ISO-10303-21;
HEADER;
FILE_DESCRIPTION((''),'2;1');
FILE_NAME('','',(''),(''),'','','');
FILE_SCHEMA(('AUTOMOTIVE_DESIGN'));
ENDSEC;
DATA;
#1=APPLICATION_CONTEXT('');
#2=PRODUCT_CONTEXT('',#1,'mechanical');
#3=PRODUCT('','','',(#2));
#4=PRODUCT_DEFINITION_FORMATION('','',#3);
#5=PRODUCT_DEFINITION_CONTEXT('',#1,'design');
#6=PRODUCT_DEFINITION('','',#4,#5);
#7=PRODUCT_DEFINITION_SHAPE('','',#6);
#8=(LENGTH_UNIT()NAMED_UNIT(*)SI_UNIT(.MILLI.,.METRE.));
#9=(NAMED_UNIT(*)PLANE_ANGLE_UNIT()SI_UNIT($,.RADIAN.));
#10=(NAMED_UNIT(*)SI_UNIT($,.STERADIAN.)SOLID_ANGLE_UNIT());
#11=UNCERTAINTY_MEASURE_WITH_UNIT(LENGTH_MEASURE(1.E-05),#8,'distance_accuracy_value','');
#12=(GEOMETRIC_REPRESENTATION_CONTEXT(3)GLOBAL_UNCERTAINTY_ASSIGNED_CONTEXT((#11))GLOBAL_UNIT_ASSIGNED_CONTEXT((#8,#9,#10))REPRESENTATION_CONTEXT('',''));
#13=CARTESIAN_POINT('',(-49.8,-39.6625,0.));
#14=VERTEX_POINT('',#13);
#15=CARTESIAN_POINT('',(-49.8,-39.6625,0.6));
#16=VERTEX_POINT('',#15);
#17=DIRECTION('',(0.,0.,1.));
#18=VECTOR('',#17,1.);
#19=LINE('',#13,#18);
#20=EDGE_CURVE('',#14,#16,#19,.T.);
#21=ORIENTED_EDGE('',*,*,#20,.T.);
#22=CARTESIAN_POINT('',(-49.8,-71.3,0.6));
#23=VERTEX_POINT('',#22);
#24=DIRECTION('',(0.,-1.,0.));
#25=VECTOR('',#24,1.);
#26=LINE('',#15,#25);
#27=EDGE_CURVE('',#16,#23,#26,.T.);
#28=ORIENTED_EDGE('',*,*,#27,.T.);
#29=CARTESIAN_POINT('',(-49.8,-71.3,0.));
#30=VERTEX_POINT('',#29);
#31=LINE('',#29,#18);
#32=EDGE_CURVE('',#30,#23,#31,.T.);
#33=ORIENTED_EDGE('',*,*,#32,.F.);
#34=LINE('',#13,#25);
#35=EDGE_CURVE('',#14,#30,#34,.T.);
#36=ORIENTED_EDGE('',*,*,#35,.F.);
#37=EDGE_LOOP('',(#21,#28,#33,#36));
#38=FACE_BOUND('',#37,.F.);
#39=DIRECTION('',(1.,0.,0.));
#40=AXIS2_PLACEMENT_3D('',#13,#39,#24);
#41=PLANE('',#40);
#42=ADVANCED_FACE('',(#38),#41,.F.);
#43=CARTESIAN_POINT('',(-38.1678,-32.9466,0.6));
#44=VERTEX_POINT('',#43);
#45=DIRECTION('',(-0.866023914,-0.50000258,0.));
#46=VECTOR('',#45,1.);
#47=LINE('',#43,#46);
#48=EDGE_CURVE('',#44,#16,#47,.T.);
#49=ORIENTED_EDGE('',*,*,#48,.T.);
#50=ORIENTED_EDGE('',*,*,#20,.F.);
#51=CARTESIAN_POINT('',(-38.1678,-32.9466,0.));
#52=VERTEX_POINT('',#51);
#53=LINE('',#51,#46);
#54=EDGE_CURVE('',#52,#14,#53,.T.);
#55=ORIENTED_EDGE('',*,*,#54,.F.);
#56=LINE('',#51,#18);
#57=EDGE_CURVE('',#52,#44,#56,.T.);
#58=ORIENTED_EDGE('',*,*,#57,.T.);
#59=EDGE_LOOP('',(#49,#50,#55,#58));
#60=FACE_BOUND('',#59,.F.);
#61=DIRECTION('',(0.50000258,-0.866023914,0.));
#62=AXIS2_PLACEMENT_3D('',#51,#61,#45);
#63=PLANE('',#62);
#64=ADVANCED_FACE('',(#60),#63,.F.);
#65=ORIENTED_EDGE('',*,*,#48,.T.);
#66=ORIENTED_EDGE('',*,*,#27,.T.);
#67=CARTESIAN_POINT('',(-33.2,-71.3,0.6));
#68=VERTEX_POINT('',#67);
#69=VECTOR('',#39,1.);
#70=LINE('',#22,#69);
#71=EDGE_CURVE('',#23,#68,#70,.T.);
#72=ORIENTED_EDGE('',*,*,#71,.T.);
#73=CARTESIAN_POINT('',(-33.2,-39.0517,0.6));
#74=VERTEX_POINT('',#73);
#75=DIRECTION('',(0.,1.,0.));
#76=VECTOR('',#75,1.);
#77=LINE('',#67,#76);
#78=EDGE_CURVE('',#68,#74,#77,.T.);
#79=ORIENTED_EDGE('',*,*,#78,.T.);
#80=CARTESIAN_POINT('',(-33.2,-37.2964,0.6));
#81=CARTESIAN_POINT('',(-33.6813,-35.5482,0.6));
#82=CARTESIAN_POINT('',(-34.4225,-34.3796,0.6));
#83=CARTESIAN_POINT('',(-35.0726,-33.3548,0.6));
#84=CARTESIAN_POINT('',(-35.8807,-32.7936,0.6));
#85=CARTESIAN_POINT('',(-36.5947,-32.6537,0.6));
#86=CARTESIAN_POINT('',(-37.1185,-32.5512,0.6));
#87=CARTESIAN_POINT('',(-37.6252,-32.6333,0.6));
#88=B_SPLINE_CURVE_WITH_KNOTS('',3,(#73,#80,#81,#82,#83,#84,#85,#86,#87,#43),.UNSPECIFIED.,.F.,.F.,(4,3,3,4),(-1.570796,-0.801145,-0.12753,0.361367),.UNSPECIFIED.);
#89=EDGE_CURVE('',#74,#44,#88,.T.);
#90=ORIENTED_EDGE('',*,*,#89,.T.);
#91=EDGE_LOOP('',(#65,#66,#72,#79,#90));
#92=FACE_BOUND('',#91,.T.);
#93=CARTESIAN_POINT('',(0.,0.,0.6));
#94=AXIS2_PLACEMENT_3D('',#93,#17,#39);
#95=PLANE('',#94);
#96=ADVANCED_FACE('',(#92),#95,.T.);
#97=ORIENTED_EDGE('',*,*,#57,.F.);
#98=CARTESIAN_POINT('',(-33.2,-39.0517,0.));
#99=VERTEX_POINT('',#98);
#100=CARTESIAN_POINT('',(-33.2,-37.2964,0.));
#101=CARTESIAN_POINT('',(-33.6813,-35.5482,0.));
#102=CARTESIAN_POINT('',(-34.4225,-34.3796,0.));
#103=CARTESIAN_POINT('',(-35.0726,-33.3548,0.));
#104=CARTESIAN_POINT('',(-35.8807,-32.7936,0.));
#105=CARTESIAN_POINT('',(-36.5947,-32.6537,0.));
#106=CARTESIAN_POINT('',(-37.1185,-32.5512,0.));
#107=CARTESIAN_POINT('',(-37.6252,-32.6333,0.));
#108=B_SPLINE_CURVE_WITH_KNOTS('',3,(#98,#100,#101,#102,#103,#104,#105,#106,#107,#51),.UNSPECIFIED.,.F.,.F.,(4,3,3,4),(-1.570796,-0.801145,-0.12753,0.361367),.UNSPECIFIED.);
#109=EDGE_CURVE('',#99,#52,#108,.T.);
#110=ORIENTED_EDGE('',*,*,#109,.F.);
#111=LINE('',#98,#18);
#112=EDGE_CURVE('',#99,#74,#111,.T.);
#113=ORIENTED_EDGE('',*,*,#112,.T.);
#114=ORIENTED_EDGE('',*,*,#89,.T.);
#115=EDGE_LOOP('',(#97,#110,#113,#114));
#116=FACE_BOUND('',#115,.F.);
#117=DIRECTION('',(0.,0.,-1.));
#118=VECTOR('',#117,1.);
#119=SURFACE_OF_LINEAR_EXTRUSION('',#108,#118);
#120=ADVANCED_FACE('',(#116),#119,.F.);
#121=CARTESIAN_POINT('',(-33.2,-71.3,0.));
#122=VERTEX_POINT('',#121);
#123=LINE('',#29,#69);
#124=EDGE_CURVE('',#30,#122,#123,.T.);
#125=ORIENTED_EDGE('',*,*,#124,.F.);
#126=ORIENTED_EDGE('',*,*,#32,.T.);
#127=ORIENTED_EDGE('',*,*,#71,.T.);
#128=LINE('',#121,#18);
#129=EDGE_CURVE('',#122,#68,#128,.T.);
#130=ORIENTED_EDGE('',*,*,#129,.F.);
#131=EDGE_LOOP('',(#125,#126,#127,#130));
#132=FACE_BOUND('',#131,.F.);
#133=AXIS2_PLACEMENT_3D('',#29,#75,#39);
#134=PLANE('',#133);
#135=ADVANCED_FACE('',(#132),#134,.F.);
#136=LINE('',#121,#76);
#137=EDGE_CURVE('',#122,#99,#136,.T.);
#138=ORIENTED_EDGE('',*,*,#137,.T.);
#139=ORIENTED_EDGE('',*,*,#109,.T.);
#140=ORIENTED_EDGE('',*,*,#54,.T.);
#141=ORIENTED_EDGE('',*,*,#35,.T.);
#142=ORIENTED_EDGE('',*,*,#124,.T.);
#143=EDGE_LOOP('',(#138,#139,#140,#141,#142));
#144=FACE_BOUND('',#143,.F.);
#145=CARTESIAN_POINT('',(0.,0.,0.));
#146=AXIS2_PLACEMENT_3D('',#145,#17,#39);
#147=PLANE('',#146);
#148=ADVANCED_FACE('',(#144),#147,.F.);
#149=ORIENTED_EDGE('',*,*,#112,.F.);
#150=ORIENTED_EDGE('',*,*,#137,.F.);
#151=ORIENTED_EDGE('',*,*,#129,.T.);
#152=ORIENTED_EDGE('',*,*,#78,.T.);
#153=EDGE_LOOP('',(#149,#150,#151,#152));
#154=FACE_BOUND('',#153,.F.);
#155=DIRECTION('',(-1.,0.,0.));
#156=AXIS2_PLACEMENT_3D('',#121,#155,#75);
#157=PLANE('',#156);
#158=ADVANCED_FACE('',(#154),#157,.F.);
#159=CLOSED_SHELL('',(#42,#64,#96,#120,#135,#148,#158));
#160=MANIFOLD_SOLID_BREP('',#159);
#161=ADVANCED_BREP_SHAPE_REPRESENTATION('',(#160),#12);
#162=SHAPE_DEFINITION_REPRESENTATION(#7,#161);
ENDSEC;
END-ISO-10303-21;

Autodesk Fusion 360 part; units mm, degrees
sketch "Sketch1" plane through (0, 0, 0) normal (0, 0, 1) x (1, 0, 0)
  line L0 (-33, -71.5) -> (-33, -39.0517)
  spline S0 degree 3 poles (-33, -39.0517) (-33, -37.2602) (-33.4854, -35.4836) (-34.2537, -34.2725) (-34.9261, -33.2125) (-35.7722, -32.611) (-36.5563, -32.4575) (-37.1254, -32.346) (-37.6904, -32.44) (-38.2678, -32.7734) knots -1.570796 -1.570796 -1.570796 -1.570796 -0.801145 -0.801145 -0.801145 -0.12753 -0.12753 -0.12753 0.361367 0.361367 0.361367 0.361367
  line L1 (-38.2678, -32.7734) -> (-50, -39.547)
  line L2 (-50, -39.547) -> (-50, -71.5)
  line L3 (-50, -71.5) -> (-33, -71.5)
  line L4 (-33.2, -71.3) -> (-33.2, -39.0517)
  spline S1 degree 3 poles (-33.2, -39.0517) (-33.2, -37.2964) (-33.6813, -35.5482) (-34.4225, -34.3796) (-35.0726, -33.3548) (-35.8807, -32.7936) (-36.5947, -32.6537) (-37.1185, -32.5512) (-37.6252, -32.6333) (-38.1678, -32.9466) knots -1.570796 -1.570796 -1.570796 -1.570796 -0.801145 -0.801145 -0.801145 -0.12753 -0.12753 -0.12753 0.361367 0.361367 0.361367 0.361367
  line L5 (-38.1678, -32.9466) -> (-49.8, -39.6625)
  line L6 (-49.8, -39.6625) -> (-49.8, -71.3)
  line L7 (-49.8, -71.3) -> (-33.2, -71.3)
  dimension "d1" = 17
  dimension "d2" = 71.5
  dimension "d3" = 39.0517
  dimension "d4" = 33
  dimension "d5" = 120
  dimension "d6" = 6.2783
  dimension "d7" = -0.2
extrude "Extrude1" add sketch "Sketch1" along normal blind 0.6 contours L4 S1 L5 L6 L7
